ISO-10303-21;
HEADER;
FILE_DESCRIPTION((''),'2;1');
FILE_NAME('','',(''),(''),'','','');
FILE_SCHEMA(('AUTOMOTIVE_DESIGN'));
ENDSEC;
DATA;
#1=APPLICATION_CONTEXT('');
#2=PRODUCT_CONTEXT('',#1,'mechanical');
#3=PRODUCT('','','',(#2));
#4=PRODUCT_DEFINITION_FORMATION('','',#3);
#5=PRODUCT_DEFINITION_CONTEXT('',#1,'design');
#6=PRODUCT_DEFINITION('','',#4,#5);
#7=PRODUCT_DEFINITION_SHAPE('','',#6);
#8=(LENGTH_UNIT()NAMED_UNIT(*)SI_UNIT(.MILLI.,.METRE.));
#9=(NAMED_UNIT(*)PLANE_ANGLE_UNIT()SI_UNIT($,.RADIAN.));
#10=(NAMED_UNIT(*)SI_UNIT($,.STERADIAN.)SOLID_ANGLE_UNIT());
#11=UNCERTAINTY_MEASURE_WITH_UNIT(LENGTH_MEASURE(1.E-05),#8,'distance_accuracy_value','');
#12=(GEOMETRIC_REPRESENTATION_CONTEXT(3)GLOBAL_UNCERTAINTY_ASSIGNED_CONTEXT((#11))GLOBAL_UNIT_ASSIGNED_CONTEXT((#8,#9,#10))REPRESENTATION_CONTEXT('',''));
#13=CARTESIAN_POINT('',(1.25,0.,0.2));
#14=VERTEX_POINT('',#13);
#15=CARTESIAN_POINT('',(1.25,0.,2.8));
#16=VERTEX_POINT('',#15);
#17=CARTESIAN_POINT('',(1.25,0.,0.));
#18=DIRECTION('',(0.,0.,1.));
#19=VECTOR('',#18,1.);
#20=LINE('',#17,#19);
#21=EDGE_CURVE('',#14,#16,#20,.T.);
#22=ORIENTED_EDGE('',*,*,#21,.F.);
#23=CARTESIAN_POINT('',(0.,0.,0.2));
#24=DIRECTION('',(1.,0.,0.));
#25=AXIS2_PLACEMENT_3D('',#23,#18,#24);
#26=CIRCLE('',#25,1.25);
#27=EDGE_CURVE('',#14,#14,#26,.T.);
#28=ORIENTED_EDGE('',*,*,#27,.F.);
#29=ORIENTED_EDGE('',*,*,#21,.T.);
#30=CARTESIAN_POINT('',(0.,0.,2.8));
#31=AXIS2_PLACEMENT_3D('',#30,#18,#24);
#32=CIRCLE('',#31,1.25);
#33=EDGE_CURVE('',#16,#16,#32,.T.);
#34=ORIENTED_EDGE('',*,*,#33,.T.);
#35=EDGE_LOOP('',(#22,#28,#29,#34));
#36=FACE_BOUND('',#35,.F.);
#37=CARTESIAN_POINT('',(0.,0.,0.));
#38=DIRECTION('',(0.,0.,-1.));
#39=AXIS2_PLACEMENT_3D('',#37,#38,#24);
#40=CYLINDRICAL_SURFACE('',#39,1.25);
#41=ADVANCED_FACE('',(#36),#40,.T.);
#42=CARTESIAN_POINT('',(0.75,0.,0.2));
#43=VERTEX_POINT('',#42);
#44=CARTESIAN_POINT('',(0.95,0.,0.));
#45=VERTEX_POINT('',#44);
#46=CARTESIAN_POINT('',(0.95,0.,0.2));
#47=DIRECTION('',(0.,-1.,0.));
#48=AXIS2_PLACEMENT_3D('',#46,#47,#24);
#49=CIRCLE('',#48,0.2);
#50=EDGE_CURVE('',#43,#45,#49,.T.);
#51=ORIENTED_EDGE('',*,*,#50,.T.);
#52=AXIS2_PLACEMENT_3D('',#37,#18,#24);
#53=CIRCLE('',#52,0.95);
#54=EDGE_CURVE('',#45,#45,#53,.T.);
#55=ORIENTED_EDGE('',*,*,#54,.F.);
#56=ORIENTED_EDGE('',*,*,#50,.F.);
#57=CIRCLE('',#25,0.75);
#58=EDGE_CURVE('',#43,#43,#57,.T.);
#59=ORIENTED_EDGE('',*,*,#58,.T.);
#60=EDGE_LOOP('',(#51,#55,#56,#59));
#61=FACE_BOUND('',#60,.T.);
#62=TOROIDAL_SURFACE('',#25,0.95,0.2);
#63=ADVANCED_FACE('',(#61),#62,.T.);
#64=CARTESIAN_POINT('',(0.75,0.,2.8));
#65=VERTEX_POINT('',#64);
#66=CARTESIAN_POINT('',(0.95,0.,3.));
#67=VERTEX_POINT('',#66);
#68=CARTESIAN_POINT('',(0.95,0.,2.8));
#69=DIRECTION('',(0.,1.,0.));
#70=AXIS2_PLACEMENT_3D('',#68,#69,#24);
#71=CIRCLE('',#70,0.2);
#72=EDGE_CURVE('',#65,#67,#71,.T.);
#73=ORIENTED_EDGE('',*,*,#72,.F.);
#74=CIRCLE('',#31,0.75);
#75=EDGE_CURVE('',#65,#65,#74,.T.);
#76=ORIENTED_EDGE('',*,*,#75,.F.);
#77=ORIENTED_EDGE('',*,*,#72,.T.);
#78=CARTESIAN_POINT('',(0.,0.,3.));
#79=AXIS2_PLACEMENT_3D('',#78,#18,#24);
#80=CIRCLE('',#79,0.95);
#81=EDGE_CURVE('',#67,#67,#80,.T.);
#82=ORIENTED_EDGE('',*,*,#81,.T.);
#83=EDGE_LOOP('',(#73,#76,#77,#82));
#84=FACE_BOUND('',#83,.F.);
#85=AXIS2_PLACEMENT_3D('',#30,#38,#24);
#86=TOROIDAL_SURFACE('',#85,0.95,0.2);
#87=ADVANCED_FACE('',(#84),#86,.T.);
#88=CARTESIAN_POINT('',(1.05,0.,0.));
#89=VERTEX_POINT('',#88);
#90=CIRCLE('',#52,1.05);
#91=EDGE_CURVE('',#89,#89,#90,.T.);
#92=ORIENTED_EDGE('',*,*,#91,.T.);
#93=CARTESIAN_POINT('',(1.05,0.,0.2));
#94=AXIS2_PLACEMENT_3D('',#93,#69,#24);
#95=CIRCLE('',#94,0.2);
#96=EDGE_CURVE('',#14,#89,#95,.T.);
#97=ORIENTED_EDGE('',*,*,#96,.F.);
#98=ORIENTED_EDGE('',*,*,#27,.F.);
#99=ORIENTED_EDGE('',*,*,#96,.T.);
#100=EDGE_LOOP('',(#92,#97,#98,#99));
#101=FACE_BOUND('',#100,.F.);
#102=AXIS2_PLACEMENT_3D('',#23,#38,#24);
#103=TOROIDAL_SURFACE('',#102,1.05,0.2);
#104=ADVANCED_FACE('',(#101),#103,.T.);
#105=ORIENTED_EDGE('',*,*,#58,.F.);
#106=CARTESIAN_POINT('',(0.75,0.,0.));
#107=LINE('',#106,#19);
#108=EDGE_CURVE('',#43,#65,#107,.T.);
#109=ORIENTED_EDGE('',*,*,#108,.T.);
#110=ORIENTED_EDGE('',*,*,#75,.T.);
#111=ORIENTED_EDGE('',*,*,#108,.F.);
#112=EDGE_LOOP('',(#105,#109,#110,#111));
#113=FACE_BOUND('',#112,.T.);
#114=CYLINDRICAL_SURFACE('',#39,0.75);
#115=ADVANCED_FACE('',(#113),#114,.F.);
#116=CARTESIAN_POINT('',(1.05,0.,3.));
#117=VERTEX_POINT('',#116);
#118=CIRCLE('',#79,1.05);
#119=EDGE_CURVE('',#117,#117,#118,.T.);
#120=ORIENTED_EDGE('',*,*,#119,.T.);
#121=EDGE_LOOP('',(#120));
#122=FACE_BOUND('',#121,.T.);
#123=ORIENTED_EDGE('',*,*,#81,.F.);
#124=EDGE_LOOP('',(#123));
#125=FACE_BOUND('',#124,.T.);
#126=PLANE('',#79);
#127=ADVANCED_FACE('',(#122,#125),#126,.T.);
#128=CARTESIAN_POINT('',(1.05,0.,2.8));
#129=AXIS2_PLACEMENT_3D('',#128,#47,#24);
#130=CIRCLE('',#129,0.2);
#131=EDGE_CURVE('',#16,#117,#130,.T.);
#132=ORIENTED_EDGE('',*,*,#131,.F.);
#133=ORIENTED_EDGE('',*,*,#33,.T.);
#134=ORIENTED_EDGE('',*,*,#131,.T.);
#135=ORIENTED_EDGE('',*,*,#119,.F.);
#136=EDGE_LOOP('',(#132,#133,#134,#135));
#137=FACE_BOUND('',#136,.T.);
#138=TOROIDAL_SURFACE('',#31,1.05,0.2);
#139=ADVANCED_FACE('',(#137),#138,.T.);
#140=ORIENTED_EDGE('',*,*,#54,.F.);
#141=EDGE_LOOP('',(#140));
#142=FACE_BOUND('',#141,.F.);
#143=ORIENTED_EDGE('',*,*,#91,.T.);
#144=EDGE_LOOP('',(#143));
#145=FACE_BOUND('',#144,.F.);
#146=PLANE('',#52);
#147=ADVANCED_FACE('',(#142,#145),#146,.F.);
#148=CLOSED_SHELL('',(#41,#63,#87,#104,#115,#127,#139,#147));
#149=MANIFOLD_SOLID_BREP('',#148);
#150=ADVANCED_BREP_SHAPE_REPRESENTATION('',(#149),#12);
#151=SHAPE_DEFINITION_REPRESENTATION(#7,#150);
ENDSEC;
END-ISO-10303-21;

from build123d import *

# Parameters (mm, degrees)
SKETCH_R   = 1.25
SKETCH_R_2 = 0.75
PAD_DEPTH  = 3
FILLET_R   = 0.2


with BuildPart() as part:
    # Sketch → Pad (new body)
    with BuildSketch(Plane.XY):
        Circle(SKETCH_R)
        Circle(SKETCH_R_2, mode=Mode.SUBTRACT)
    extrude(amount=PAD_DEPTH)

    # Fillet
    fillet_edges = [part.edges().sort_by_distance(p)[0] for p in [
        (1.25, 0, 1.5),
        (-1.25, 0, 0),
        (-1.25, 0, 3),
        (0.75, 0, 1.5),
        (-0.75, 0, 0),
        (-0.75, 0, 3),
    ]]
    fillet(fillet_edges, radius=FILLET_R)


solid = part.part
